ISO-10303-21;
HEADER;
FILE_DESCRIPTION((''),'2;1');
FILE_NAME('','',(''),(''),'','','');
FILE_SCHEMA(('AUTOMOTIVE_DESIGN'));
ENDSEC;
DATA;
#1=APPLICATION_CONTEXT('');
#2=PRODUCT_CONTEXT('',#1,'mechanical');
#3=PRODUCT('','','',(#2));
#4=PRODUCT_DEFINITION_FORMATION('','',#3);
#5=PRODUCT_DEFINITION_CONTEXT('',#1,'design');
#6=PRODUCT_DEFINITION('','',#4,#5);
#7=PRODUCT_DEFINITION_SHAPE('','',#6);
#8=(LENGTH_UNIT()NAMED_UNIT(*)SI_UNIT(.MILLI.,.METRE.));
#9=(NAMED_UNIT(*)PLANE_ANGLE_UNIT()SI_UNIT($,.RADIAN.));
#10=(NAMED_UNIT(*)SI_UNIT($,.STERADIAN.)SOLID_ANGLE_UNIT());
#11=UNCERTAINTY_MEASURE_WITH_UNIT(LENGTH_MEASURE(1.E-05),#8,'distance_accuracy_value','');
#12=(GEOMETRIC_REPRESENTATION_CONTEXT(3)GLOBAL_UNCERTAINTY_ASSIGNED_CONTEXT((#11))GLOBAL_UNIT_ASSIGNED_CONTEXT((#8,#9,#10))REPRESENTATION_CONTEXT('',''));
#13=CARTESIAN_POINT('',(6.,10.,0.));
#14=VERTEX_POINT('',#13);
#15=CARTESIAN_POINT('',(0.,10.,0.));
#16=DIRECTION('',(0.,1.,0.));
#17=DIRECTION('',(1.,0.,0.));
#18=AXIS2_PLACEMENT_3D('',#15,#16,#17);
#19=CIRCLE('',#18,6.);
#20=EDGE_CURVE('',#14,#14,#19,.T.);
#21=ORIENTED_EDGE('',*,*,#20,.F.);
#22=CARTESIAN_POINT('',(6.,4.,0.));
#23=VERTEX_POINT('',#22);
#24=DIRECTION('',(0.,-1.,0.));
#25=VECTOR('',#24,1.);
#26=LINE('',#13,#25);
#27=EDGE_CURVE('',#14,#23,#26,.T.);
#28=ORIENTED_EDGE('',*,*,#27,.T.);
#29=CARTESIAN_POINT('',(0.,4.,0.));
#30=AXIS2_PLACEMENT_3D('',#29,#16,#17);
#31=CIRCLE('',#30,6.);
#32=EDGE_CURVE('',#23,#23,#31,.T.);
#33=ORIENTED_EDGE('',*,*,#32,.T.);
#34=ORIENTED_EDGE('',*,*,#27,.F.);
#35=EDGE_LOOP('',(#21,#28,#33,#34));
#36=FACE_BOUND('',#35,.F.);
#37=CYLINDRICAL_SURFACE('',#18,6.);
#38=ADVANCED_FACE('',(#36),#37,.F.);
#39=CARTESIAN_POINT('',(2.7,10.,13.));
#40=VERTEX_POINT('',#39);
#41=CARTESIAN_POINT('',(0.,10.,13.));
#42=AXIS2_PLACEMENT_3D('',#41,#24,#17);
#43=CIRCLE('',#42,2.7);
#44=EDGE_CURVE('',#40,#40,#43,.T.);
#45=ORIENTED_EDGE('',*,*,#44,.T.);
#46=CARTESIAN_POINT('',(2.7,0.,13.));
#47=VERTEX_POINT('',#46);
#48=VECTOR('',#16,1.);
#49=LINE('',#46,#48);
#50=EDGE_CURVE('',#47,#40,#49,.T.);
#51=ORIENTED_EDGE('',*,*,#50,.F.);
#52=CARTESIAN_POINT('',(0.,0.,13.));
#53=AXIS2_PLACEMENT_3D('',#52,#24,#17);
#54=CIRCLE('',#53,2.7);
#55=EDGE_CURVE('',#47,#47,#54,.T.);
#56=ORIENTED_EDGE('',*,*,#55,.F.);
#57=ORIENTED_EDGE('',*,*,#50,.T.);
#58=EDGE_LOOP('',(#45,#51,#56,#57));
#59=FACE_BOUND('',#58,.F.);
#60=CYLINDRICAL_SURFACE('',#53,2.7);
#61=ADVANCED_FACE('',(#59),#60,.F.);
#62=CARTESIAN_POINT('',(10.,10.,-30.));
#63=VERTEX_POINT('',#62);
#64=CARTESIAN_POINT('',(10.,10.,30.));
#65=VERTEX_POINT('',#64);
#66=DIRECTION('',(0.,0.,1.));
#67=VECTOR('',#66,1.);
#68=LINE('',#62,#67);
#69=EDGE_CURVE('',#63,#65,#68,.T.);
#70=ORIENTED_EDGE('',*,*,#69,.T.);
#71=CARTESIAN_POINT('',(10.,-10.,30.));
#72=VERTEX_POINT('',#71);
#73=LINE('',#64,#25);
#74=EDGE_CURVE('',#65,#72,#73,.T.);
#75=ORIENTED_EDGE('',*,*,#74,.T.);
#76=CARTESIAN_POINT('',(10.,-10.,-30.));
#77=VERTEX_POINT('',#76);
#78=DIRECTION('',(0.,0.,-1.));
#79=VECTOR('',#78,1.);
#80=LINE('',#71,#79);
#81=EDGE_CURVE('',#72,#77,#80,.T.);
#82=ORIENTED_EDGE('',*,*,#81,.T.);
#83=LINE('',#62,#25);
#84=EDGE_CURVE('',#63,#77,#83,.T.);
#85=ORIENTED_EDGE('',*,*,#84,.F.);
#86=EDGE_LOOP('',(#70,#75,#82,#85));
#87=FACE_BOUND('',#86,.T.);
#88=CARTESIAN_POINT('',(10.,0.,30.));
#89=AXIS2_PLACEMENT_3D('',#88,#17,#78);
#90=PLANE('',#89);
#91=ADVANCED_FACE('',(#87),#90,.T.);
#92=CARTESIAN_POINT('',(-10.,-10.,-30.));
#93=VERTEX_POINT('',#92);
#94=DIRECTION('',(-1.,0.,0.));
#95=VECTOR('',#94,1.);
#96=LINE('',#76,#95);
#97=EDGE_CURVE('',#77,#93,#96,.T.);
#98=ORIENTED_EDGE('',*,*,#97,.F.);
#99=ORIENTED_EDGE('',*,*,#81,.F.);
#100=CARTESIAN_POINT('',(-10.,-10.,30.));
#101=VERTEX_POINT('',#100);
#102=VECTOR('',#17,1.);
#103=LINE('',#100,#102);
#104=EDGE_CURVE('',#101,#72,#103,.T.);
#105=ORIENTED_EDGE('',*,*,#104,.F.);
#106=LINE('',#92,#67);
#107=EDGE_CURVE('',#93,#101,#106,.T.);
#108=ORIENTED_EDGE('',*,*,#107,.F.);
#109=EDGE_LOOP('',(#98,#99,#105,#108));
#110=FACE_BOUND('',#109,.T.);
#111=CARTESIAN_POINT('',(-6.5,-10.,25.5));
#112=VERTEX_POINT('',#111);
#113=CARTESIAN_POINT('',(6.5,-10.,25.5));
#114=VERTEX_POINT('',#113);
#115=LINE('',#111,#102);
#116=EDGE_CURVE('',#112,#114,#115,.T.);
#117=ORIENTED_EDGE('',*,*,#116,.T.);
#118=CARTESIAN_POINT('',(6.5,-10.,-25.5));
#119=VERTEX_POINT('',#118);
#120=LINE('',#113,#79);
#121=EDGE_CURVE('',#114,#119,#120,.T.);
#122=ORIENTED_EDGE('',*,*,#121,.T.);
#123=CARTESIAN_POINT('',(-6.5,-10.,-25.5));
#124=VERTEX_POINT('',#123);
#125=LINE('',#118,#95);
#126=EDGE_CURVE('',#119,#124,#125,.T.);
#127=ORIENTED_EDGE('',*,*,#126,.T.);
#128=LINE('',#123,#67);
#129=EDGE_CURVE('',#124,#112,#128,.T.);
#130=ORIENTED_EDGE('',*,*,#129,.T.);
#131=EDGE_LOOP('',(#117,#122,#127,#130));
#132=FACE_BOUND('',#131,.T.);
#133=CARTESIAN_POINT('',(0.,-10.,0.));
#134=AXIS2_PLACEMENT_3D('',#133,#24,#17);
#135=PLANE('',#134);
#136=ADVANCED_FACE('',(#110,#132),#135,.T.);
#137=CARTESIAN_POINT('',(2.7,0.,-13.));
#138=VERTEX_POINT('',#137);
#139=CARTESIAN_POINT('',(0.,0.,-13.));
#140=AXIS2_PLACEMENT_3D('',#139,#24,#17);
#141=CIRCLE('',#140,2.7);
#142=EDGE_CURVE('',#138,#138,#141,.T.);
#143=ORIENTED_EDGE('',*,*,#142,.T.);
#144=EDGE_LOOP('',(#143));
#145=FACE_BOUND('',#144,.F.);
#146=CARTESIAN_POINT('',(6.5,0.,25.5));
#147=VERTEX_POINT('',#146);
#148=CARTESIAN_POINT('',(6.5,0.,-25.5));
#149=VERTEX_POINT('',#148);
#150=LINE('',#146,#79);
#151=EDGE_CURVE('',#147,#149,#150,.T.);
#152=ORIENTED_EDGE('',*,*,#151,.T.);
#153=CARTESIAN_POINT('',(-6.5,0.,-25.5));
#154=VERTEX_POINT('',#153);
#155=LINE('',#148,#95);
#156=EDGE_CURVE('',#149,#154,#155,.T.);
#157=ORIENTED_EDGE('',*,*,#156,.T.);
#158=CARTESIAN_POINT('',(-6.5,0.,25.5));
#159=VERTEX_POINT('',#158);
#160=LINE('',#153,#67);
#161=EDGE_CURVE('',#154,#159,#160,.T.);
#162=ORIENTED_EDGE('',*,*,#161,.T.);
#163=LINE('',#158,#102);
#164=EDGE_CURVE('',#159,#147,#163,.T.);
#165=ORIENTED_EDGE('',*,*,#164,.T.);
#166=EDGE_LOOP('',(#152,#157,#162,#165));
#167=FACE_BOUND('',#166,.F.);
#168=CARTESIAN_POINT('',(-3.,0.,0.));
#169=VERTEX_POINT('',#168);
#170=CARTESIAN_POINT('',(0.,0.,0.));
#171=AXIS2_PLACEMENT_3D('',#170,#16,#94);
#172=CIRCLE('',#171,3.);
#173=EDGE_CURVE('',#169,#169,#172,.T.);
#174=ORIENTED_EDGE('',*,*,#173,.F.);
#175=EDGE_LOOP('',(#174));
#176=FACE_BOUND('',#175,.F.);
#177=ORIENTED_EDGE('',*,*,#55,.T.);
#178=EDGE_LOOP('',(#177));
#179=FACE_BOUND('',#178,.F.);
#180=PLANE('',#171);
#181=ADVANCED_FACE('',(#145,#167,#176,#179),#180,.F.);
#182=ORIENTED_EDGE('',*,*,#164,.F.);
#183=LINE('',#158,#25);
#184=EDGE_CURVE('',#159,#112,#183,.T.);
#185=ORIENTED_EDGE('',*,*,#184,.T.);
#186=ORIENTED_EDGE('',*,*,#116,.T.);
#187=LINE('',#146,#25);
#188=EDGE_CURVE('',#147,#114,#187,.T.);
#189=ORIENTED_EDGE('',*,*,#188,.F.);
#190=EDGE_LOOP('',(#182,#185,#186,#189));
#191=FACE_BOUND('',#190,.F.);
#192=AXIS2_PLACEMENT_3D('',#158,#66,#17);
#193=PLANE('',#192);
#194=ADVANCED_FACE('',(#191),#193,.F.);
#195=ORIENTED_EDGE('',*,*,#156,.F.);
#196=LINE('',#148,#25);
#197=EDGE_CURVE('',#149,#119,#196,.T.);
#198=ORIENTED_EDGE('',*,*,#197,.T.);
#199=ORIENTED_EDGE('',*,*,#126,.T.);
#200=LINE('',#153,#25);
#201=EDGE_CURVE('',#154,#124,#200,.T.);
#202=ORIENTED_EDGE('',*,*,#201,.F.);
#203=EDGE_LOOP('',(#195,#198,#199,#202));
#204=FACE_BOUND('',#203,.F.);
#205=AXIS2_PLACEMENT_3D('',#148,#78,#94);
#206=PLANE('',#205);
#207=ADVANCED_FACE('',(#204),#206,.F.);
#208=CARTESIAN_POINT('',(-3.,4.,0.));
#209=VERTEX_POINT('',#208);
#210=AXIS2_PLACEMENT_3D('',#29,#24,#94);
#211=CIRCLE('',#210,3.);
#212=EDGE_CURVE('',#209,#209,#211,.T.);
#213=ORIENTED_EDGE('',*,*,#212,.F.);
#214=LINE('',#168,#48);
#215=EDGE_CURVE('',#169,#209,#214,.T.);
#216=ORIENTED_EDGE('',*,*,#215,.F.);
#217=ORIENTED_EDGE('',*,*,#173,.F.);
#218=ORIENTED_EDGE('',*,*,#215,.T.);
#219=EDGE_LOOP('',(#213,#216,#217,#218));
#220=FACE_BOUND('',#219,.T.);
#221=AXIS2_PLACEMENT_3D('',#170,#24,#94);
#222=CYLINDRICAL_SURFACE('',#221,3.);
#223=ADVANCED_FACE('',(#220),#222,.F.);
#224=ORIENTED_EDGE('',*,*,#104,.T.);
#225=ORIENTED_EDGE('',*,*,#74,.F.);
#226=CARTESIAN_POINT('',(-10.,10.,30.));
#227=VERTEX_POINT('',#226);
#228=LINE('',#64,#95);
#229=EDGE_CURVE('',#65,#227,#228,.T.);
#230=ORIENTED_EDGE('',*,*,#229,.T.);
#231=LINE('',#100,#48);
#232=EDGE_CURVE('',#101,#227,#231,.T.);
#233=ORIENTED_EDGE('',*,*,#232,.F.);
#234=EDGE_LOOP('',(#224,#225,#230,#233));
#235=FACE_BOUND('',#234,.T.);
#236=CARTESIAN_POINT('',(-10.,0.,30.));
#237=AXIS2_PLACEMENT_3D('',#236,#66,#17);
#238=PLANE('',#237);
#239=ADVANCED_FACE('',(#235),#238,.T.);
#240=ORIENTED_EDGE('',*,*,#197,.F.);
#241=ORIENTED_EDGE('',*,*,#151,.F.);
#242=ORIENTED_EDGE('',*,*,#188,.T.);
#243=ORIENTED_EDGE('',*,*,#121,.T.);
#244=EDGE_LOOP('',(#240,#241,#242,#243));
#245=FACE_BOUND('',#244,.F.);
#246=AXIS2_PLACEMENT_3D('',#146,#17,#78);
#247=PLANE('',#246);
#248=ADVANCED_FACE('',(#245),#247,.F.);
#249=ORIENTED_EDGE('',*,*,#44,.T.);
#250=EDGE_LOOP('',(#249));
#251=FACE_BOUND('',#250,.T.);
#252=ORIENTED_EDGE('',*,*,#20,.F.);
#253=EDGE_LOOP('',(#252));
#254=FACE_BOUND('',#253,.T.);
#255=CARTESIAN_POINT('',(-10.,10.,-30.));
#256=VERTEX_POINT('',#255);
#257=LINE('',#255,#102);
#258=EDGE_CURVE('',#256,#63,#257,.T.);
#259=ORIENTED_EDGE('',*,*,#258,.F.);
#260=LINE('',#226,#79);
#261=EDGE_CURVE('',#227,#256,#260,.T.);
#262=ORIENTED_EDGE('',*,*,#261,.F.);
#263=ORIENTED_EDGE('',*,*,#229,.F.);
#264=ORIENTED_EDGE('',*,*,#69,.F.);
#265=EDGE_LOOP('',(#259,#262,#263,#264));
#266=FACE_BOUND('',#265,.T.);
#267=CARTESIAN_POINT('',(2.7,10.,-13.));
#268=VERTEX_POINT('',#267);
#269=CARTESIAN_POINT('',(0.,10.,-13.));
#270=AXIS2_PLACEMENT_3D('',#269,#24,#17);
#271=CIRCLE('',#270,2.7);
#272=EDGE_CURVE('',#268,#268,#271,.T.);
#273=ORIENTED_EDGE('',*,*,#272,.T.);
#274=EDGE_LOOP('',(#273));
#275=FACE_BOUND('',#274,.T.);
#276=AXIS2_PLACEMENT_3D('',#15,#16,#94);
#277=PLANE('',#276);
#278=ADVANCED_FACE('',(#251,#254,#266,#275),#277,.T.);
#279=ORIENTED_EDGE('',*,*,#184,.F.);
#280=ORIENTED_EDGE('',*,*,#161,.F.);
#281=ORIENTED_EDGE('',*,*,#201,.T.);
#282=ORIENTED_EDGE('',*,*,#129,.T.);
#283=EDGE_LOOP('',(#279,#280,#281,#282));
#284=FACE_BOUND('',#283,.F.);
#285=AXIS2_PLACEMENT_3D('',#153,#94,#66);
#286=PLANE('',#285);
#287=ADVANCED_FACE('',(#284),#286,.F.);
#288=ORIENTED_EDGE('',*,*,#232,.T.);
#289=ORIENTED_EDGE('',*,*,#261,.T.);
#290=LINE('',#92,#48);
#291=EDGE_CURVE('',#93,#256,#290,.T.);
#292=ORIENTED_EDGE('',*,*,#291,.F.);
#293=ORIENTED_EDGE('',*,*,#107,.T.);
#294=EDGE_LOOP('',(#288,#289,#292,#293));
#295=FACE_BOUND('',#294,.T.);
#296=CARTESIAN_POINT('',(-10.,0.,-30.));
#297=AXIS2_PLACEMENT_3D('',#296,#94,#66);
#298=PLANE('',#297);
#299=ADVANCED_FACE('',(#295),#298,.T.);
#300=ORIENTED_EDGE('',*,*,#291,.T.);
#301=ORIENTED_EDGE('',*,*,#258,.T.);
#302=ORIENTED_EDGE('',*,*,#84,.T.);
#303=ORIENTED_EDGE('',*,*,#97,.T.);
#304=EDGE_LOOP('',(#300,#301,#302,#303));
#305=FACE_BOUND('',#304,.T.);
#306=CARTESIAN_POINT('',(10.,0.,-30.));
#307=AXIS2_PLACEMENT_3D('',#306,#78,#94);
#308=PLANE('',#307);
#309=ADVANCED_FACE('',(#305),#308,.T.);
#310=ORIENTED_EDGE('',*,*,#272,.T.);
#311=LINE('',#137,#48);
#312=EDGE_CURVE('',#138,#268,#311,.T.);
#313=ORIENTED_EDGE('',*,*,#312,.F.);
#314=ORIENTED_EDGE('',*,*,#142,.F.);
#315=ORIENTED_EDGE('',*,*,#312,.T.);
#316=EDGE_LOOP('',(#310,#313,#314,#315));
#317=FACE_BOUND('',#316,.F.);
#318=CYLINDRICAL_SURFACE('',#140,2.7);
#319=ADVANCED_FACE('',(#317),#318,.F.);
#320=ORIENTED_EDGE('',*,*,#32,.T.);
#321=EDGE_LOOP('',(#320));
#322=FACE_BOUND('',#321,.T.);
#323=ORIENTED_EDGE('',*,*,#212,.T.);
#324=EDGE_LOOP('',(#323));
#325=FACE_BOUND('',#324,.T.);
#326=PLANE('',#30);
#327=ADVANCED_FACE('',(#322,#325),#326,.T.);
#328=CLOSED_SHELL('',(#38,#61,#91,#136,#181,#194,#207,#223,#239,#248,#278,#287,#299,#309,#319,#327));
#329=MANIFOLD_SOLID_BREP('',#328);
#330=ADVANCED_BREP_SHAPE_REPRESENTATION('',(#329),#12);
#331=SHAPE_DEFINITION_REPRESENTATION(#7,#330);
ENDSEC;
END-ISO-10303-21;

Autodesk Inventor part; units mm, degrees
ref_plane "YZ Plane" through (0, 0, 0) normal (1, 0, 0) x (0, 1, 0)
ref_plane "XZ Plane" through (0, 0, 0) normal (0, 1, 0) x (-1, 0, 0)
ref_plane "XY Plane" through (0, 0, 0) normal (0, 0, 1) x (1, 0, 0)
sketch "Boceto1" plane through (0, 0, 0) normal (0, 1, 0) x (-1, 0, 0)
  line L0 (-10, 30) -> (10, 30)
  line L1 (10, 30) -> (10, -30)
  line L2 (10, -30) -> (-10, -30)
  line L3 (-10, -30) -> (-10, 30)
  line L4 (-10, 30) -> (10, -30) construction
  line L5 (10, 30) -> (-10, -30) construction
  circle A0 centre (0, 0) radius 3
  dimension "d0" = 6
  dimension "d1" = 60
  dimension "d2" = 20
extrude "Extrusión1" add sketch "Boceto1" along normal blind 10
sketch "Boceto2" plane through (0, 0, 0) normal (0, -1, 0) x (1, 0, 0)
  circle A0 centre (0, 13) radius 2.7
  circle A1 centre (0, -13) radius 2.7
  point P0 (0, 0)
  dimension "d5" = 5.4
  dimension "d6" = 13
  dimension "d7" = 13
extrude "Extrusión2" cut sketch "Boceto2" against normal through all
sketch "Boceto3" plane through (0, 0, 0) normal (0, -1, 0) x (1, 0, 0)
  line L0 (-6.5, 25.5) -> (6.5, 25.5)
  line L1 (6.5, 25.5) -> (6.5, -25.5)
  line L2 (6.5, -25.5) -> (-6.5, -25.5)
  line L3 (-6.5, -25.5) -> (-6.5, 25.5)
  circle A0 centre (0, 0) radius 3 projected
  line L4 (-6.5, 25.5) -> (6.5, -25.5) construction
  line L5 (6.5, 25.5) -> (-6.5, -25.5) construction
  circle A1 centre (0, -13) radius 2.7 projected
  circle A2 centre (0, 13) radius 2.7 projected
  line L6 (10, -30) -> (-10, -30) projected
  line L7 (10, 30) -> (10, -30) projected
  line L8 (-10, 30) -> (10, 30) projected
  line L9 (-10, -30) -> (-10, 30) projected
  circle A3 centre (0, 0) radius 3 projected
  dimension "d10" = 51
  dimension "d11" = 13
extrude "Extrusión3" add sketch "Boceto3" along normal blind 10 contours L6 L9 L8 L7
sketch "Boceto4" plane through (0, 10, 0) normal (0, 1, 0) x (1, 0, 0)
  circle A0 centre (0, 0) radius 6
  dimension "d14" = 12
extrude "Extrusión4" cut sketch "Boceto4" against normal blind 6
properties part number "LoadCellUpperPiece"
